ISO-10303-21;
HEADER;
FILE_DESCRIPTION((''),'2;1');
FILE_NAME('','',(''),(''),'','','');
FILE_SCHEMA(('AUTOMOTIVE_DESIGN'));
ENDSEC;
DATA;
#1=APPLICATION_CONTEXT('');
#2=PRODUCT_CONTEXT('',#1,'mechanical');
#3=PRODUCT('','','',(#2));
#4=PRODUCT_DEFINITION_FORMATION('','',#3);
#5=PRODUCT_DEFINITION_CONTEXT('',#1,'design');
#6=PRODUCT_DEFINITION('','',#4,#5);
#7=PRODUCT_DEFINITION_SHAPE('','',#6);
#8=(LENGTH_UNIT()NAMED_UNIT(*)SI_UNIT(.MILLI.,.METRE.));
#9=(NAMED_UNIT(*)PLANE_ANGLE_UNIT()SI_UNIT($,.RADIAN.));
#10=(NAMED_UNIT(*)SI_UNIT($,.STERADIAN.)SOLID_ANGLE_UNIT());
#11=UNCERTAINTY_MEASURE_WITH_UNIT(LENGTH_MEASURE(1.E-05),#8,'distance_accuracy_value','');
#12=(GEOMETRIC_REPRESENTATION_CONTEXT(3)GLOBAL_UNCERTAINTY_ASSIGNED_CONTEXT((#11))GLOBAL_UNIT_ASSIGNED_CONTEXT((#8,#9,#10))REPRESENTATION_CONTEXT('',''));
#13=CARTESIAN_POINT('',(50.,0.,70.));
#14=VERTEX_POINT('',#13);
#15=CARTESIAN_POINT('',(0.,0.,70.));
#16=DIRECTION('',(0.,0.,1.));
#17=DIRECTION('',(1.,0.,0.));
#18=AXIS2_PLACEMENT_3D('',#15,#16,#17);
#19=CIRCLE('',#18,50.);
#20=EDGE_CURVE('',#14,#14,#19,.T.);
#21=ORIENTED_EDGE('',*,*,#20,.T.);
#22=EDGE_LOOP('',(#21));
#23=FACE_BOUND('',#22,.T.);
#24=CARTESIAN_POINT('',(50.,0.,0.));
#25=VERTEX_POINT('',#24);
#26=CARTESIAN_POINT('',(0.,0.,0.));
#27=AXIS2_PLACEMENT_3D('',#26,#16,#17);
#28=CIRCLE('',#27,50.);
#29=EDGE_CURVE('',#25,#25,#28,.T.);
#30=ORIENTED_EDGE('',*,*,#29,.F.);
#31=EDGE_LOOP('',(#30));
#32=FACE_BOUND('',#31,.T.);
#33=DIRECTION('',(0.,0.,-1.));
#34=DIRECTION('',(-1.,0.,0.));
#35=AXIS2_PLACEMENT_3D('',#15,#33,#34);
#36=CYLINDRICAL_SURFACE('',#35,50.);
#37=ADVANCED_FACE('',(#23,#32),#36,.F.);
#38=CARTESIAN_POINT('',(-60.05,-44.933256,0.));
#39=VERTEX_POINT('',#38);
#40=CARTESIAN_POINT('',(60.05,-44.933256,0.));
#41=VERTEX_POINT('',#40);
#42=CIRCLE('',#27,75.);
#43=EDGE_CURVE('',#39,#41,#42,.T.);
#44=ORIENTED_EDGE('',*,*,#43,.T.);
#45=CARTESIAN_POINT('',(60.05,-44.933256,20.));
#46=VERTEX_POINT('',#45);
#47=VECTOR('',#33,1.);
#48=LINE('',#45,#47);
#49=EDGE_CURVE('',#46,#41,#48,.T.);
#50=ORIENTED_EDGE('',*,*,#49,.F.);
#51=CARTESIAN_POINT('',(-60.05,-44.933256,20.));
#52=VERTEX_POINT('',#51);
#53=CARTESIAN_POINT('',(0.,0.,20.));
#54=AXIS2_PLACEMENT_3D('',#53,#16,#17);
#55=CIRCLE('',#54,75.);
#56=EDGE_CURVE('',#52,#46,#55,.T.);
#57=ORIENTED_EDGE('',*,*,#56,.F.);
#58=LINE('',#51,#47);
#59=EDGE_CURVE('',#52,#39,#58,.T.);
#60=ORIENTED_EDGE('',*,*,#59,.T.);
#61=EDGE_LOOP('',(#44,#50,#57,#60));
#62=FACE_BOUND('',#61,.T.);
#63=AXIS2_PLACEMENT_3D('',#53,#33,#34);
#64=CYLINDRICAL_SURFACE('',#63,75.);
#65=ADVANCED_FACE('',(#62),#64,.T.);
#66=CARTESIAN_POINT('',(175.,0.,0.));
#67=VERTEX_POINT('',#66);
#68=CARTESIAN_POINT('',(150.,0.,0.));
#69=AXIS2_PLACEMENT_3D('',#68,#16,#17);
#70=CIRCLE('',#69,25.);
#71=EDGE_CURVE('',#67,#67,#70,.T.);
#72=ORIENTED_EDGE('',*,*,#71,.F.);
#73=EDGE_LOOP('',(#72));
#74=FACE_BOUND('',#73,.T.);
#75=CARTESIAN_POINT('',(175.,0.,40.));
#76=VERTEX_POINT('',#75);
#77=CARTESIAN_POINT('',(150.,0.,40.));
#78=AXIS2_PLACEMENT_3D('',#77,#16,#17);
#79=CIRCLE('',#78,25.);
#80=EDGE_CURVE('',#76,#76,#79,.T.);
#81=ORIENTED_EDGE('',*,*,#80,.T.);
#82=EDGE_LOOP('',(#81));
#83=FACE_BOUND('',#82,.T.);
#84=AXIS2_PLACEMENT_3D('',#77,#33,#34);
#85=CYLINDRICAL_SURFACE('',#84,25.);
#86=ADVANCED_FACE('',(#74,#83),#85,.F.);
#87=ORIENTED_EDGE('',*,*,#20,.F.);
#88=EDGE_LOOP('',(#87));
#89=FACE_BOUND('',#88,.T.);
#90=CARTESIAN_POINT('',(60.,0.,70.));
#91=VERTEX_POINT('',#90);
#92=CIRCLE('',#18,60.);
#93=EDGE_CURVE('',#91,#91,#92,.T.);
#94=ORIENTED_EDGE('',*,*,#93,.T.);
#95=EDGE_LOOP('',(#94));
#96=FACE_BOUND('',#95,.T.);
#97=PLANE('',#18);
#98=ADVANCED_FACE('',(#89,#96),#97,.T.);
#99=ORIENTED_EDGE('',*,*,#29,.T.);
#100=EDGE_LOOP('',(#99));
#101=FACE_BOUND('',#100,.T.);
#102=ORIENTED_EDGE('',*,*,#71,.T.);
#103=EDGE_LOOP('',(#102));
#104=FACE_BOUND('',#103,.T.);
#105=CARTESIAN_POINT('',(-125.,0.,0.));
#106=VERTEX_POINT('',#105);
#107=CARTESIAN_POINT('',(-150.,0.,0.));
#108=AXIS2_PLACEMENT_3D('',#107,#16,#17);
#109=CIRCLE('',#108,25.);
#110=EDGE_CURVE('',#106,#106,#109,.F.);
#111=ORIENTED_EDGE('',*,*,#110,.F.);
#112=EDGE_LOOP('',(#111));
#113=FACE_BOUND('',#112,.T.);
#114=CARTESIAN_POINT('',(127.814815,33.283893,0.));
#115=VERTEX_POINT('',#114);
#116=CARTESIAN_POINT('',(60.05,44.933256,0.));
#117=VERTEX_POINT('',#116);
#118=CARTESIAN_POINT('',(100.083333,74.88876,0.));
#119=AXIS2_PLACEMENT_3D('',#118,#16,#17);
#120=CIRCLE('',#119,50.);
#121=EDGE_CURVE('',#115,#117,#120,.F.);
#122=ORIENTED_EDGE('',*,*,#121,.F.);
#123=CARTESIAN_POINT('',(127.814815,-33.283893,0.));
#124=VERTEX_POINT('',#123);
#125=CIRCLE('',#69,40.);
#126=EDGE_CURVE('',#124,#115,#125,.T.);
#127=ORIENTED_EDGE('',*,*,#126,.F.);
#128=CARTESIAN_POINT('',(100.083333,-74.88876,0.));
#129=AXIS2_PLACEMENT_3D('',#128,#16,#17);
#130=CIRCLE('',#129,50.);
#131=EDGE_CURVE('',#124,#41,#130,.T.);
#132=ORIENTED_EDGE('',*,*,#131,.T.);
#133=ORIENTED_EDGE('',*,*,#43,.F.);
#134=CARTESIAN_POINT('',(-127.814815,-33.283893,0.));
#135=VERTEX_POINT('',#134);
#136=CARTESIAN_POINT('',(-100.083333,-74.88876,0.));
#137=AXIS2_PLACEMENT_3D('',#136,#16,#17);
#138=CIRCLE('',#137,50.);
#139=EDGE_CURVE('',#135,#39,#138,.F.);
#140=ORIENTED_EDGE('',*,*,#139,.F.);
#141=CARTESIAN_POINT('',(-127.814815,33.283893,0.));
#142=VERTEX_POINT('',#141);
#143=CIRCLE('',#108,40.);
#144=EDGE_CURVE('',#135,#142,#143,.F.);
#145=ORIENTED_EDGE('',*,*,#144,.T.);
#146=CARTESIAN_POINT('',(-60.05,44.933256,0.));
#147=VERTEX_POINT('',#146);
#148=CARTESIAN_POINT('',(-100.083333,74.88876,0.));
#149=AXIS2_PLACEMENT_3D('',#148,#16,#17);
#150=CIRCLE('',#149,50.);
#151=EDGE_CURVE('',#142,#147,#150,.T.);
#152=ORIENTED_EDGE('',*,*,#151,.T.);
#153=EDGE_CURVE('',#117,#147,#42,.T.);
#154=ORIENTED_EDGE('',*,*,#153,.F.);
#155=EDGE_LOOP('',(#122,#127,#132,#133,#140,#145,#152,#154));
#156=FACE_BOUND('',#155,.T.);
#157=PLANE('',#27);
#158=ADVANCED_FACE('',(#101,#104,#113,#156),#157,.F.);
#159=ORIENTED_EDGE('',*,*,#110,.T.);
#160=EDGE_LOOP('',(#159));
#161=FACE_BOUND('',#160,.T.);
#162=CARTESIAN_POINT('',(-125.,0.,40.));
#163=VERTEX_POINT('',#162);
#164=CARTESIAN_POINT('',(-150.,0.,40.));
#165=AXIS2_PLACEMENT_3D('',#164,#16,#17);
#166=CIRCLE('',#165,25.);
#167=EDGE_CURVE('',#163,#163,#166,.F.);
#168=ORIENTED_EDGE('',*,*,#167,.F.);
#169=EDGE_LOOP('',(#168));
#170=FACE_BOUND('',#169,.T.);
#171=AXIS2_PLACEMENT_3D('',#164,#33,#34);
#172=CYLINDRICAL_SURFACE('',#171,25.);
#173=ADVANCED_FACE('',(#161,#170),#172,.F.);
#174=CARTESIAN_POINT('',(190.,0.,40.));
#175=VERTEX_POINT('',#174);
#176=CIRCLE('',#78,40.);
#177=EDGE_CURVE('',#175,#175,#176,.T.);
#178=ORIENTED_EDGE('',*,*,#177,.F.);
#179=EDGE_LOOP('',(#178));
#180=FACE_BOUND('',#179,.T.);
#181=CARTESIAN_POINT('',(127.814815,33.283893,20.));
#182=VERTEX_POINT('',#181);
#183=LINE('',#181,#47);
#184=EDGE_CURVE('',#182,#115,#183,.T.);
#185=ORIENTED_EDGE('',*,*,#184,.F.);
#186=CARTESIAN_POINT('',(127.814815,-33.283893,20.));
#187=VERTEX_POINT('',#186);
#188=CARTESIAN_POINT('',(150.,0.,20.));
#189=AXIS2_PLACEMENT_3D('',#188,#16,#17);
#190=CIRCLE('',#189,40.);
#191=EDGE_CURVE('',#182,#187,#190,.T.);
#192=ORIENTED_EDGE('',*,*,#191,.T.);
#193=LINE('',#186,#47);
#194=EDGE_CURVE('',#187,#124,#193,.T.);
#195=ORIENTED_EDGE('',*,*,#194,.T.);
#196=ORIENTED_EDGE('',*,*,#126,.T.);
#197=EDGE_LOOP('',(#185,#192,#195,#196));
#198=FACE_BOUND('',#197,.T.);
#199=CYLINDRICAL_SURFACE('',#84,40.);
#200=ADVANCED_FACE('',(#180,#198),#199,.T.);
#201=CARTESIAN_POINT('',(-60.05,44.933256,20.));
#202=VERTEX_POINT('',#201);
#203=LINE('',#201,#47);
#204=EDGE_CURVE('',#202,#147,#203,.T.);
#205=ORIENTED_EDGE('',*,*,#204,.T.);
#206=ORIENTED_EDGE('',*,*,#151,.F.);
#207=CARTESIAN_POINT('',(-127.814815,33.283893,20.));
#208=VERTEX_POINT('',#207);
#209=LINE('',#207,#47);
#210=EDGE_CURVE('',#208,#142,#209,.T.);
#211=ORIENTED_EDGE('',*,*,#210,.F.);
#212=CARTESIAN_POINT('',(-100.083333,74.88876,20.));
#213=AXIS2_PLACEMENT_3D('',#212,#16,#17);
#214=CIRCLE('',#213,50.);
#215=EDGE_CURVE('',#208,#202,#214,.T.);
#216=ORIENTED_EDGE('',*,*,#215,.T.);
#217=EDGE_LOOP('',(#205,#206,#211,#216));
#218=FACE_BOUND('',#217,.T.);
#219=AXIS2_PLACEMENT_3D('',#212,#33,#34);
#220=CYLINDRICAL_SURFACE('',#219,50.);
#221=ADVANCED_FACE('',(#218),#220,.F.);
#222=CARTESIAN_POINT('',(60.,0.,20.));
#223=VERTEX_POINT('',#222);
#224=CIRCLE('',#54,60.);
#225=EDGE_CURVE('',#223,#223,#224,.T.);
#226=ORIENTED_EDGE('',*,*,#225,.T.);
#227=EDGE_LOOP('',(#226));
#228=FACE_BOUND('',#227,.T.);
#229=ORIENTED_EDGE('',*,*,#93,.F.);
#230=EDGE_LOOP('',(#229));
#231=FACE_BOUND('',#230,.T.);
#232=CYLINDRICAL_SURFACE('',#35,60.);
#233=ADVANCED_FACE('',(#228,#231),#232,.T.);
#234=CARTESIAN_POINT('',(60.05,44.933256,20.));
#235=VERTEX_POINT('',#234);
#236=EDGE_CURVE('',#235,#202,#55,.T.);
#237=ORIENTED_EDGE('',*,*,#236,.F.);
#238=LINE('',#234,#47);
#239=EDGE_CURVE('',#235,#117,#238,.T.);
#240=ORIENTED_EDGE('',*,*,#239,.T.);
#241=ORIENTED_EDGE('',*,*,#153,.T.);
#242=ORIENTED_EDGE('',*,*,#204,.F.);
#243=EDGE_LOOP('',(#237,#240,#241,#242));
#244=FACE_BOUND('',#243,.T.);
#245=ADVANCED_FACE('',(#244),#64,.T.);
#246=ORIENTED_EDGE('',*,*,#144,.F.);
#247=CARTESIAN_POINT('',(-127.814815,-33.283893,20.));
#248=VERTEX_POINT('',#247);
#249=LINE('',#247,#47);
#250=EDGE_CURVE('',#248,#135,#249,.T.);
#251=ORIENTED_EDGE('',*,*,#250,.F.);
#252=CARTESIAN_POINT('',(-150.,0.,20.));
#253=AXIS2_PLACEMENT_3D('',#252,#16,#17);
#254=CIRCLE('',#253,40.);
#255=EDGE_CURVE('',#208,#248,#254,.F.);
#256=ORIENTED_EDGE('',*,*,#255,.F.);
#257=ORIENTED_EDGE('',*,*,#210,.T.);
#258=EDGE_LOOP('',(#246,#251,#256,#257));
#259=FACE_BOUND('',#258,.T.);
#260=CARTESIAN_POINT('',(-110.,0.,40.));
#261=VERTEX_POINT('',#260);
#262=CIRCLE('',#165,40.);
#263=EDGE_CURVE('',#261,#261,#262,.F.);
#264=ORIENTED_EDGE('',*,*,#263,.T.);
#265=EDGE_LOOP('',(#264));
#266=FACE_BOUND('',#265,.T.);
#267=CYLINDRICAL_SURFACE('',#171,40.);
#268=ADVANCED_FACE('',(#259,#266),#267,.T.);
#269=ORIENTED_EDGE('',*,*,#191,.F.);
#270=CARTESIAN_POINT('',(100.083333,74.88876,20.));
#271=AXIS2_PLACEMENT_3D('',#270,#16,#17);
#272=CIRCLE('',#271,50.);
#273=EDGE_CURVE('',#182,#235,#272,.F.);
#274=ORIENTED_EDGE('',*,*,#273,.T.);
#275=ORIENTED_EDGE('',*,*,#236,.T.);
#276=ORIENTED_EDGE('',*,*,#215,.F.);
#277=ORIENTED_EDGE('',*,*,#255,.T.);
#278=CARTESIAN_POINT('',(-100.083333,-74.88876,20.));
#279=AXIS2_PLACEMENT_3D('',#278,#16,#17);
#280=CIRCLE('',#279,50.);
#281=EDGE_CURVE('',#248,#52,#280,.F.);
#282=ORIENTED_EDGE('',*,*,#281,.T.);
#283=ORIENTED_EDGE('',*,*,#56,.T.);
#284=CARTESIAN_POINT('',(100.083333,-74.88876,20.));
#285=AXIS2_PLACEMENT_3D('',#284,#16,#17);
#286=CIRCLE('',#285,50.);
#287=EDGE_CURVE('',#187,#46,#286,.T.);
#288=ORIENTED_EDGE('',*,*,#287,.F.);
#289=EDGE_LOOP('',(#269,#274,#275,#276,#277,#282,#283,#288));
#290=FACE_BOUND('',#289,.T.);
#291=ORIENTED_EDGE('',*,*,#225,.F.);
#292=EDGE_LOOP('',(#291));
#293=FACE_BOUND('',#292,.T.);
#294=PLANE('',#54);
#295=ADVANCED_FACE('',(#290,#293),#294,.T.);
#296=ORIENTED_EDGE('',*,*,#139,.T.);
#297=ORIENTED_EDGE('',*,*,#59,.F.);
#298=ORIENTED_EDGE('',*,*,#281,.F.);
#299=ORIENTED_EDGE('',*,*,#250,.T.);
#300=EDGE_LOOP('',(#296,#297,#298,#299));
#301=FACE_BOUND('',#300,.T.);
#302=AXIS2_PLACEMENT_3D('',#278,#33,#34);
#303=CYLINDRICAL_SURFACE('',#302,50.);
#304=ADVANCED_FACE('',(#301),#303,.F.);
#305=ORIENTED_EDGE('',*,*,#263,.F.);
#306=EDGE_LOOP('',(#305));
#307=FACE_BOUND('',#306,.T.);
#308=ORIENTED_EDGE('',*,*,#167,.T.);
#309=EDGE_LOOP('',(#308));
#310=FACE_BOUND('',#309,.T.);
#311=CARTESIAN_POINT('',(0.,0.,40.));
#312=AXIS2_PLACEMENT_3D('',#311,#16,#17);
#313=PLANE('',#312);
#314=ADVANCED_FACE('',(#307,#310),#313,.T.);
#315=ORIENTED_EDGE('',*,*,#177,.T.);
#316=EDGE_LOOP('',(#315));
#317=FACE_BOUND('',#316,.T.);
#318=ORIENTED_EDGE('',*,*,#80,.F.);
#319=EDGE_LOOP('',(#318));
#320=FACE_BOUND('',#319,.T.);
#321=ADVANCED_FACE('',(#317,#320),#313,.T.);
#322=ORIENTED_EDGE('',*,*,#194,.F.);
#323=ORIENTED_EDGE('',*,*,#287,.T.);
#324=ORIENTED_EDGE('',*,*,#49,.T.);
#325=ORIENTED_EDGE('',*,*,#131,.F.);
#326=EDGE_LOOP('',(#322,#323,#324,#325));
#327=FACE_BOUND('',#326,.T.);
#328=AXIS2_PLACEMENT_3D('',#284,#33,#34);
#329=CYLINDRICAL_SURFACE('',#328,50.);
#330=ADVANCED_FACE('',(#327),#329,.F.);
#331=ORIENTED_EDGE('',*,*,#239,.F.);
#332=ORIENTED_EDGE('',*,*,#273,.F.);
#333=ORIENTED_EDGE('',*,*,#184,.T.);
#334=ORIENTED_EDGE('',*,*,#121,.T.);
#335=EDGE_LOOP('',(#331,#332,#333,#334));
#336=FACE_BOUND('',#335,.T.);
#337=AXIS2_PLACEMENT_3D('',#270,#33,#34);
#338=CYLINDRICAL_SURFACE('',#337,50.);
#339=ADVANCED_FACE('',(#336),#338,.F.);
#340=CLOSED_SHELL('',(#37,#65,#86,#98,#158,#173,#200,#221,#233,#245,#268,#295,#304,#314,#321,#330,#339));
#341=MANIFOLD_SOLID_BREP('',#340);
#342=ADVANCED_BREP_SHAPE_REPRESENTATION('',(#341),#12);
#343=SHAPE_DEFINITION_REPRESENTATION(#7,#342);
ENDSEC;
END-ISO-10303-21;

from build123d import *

# Parameters (mm, degrees)
SKETCH1_R           = 60
BOSS_EXTRUDE4_DEPTH = 20
SKETCH1_5_R         = 25
BOSS_EXTRUDE5_DEPTH = 40
SKETCH1_6_R         = 25
BOSS_EXTRUDE6_DEPTH = 40
SKETCH1_7_R         = 60
SKETCH1_7_R_2       = 50
BOSS_EXTRUDE7_DEPTH = 70


with BuildPart() as part:
    # Sketch1 → Boss-Extrude4 (new body)
    with BuildSketch(Plane.XY):
        with BuildLine():
            ThreePointArc((-60.05, -44.933256058), (0, -75), (60.05, -44.933256058))
            ThreePointArc((60.05, -44.933256058), (91.612158535, -25.611592996), (127.814814815, -33.283893377))
            ThreePointArc((127.814814815, -33.283893377), (110, 0), (127.814814815, 33.283893377))
            ThreePointArc((127.814814815, 33.283893377), (91.612158535, 25.611592996), (60.05, 44.933256058))
            ThreePointArc((60.05, 44.933256058), (0, 75), (-60.05, 44.933256058))
            ThreePointArc((-60.05, 44.933256058), (-91.612158535, 25.611592996), (-127.814814815, 33.283893377))
            ThreePointArc((-127.814814815, 33.283893377), (-110, 0), (-127.814814815, -33.283893377))
            ThreePointArc((-127.814814815, -33.283893377), (-91.612158535, -25.611592996), (-60.05, -44.933256058))
        make_face()
        Circle(SKETCH1_R, mode=Mode.SUBTRACT)
    extrude(amount=BOSS_EXTRUDE4_DEPTH)

    # Sketch1<5> → Boss-Extrude5 (add)
    with BuildSketch(Plane.XY):
        with BuildLine():
            ThreePointArc((-110, 0), (-114.733816428, 18.875812467), (-127.814814815, 33.283893377))
            ThreePointArc((-127.814814815, 33.283893377), (-190, 0), (-127.814814815, -33.283893377))
            ThreePointArc((-127.814814815, -33.283893377), (-114.733816428, -18.875812467), (-110, 0))
        make_face()
        with Locations((-150, 0)):
            Circle(SKETCH1_5_R, mode=Mode.SUBTRACT)
    extrude(amount=BOSS_EXTRUDE5_DEPTH)

    # Sketch1<6> → Boss-Extrude6 (add)
    with BuildSketch(Plane.XY):
        with BuildLine():
            ThreePointArc((190, 0), (168.875812467, 35.266183572), (127.814814815, 33.283893377))
            ThreePointArc((127.814814815, 33.283893377), (110, 0), (127.814814815, -33.283893377))
            ThreePointArc((127.814814815, -33.283893377), (168.875812467, -35.266183572), (190, 0))
        make_face()
        with Locations((150, 0)):
            Circle(SKETCH1_6_R, mode=Mode.SUBTRACT)
    extrude(amount=BOSS_EXTRUDE6_DEPTH)

    # Sketch1<7> → Boss-Extrude7 (add)
    with BuildSketch(Plane.XY):
        Circle(SKETCH1_7_R)
        Circle(SKETCH1_7_R_2, mode=Mode.SUBTRACT)
    extrude(amount=BOSS_EXTRUDE7_DEPTH)


solid = part.part
